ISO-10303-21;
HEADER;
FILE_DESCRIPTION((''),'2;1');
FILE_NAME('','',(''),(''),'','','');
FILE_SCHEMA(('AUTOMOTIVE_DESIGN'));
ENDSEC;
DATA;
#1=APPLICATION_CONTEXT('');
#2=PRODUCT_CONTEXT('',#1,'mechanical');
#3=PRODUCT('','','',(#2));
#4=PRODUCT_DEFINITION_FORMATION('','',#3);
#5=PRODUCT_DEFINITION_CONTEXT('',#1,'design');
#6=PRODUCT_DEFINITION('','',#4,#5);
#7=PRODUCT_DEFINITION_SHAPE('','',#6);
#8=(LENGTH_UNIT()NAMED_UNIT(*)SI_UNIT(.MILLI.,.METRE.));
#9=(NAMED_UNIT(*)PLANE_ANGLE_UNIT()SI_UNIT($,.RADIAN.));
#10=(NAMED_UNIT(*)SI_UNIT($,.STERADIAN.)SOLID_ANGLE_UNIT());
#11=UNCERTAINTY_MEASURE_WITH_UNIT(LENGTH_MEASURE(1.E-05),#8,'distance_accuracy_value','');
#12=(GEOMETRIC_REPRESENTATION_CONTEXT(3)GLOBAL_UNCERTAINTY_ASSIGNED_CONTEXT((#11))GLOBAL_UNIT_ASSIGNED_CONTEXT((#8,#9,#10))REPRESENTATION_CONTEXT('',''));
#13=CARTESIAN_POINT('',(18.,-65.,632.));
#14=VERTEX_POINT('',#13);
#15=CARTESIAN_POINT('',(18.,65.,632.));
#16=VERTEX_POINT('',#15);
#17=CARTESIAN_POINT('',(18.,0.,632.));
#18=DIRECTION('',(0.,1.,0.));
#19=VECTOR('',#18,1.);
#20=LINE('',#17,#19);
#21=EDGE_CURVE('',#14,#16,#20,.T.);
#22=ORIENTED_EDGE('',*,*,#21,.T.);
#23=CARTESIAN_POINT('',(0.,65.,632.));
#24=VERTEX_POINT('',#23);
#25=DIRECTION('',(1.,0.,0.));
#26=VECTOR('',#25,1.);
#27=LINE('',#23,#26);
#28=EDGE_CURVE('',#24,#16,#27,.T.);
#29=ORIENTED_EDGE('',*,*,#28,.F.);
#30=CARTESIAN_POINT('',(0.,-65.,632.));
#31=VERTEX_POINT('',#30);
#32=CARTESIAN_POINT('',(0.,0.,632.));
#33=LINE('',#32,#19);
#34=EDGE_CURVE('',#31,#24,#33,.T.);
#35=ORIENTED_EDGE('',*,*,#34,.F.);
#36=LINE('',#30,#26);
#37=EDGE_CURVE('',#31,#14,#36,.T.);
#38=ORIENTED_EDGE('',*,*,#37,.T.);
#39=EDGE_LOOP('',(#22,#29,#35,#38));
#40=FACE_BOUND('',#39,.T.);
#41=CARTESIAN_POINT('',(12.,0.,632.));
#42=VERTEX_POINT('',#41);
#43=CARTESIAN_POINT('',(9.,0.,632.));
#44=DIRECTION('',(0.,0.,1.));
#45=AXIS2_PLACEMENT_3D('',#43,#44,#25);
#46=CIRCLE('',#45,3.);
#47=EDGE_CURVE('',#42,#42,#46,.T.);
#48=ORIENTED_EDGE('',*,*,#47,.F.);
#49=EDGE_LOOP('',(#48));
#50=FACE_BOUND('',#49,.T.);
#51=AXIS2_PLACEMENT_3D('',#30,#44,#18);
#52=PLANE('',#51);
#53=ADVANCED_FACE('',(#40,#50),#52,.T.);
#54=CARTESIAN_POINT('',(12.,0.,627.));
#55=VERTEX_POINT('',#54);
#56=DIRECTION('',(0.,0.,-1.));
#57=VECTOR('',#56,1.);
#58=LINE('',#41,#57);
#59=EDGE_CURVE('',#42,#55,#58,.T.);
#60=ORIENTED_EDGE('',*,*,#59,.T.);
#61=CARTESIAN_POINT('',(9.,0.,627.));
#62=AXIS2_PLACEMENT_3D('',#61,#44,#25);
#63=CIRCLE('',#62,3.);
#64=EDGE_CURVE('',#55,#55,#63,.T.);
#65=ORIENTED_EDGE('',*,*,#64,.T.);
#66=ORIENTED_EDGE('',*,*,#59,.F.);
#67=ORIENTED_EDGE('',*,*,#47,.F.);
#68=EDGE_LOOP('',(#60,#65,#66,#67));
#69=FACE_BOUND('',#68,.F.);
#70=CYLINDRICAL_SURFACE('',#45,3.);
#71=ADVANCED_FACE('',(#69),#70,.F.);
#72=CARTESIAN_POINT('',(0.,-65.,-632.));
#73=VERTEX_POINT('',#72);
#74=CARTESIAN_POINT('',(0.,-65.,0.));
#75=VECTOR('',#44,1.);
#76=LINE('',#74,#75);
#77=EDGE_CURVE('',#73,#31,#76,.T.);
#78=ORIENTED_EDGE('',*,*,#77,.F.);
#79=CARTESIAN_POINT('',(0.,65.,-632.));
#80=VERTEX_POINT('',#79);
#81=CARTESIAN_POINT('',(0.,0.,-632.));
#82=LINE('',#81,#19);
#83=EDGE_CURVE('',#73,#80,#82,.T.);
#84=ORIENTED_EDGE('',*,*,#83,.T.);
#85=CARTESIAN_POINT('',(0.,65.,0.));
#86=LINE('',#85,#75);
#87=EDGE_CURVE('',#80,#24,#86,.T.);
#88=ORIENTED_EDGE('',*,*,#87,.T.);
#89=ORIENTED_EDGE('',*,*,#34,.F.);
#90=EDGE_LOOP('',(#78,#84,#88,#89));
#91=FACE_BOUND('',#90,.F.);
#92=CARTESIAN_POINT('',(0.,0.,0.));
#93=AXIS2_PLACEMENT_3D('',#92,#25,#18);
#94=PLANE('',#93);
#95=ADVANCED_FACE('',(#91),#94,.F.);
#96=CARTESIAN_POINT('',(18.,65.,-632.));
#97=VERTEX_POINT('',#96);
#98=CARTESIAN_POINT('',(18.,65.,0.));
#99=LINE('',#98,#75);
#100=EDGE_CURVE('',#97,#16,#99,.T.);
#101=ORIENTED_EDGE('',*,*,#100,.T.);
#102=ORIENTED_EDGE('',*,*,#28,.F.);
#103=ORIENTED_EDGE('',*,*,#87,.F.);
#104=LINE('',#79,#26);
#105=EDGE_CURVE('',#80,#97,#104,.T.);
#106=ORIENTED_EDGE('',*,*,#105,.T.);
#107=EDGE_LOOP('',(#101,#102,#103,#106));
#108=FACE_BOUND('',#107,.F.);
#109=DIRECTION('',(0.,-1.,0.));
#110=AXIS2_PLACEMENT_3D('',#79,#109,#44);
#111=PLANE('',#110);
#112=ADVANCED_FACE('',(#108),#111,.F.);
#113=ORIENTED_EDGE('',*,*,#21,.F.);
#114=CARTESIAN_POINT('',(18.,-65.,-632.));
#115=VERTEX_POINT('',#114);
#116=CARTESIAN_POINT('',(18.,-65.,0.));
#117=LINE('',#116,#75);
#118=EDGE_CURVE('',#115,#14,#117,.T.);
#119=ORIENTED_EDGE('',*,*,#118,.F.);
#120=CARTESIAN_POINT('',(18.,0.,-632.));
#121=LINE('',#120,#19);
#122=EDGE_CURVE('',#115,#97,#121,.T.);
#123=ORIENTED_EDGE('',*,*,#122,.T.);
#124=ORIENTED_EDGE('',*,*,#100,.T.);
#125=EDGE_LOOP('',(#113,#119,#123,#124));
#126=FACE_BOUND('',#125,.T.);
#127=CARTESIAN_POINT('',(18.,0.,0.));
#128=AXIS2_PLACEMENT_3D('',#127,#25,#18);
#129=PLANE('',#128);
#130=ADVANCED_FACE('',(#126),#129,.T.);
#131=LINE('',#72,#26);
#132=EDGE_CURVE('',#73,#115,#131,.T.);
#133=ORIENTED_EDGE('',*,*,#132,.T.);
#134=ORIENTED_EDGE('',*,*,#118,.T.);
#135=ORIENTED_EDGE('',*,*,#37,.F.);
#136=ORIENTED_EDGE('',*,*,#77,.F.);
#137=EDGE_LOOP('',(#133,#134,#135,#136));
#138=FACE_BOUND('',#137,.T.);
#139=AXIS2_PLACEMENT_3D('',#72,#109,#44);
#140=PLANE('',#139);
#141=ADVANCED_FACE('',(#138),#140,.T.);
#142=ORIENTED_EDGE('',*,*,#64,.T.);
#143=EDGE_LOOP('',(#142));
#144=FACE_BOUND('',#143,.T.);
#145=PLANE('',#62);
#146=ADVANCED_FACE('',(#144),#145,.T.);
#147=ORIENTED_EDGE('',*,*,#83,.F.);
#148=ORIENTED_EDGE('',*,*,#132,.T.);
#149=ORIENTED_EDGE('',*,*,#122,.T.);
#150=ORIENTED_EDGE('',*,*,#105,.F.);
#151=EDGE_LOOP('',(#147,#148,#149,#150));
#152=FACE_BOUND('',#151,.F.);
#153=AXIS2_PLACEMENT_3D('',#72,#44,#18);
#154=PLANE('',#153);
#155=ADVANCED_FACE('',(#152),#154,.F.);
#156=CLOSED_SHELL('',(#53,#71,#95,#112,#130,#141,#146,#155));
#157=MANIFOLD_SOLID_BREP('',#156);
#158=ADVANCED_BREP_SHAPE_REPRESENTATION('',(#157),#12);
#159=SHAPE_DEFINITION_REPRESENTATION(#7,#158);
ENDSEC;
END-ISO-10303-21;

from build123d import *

# Parameters (mm, degrees)
F0_W     = 130
F0_H     = 1264
F1_DEPTH = 18
F2_R     = 3
F3_DEPTH = 5


with BuildPart() as f1:
    # F0 (on Right) → F1 (new body)
    with BuildSketch(Plane.YZ):
        Rectangle(F0_W, F0_H)
    extrude(amount=F1_DEPTH)

    # F2 (on face) → F3 (cut)
    with BuildSketch(Plane.XY.offset(632)):
        with Locations((9, 0)):
            Circle(F2_R)
    extrude(amount=-F3_DEPTH, mode=Mode.SUBTRACT)


solid = f1.part
